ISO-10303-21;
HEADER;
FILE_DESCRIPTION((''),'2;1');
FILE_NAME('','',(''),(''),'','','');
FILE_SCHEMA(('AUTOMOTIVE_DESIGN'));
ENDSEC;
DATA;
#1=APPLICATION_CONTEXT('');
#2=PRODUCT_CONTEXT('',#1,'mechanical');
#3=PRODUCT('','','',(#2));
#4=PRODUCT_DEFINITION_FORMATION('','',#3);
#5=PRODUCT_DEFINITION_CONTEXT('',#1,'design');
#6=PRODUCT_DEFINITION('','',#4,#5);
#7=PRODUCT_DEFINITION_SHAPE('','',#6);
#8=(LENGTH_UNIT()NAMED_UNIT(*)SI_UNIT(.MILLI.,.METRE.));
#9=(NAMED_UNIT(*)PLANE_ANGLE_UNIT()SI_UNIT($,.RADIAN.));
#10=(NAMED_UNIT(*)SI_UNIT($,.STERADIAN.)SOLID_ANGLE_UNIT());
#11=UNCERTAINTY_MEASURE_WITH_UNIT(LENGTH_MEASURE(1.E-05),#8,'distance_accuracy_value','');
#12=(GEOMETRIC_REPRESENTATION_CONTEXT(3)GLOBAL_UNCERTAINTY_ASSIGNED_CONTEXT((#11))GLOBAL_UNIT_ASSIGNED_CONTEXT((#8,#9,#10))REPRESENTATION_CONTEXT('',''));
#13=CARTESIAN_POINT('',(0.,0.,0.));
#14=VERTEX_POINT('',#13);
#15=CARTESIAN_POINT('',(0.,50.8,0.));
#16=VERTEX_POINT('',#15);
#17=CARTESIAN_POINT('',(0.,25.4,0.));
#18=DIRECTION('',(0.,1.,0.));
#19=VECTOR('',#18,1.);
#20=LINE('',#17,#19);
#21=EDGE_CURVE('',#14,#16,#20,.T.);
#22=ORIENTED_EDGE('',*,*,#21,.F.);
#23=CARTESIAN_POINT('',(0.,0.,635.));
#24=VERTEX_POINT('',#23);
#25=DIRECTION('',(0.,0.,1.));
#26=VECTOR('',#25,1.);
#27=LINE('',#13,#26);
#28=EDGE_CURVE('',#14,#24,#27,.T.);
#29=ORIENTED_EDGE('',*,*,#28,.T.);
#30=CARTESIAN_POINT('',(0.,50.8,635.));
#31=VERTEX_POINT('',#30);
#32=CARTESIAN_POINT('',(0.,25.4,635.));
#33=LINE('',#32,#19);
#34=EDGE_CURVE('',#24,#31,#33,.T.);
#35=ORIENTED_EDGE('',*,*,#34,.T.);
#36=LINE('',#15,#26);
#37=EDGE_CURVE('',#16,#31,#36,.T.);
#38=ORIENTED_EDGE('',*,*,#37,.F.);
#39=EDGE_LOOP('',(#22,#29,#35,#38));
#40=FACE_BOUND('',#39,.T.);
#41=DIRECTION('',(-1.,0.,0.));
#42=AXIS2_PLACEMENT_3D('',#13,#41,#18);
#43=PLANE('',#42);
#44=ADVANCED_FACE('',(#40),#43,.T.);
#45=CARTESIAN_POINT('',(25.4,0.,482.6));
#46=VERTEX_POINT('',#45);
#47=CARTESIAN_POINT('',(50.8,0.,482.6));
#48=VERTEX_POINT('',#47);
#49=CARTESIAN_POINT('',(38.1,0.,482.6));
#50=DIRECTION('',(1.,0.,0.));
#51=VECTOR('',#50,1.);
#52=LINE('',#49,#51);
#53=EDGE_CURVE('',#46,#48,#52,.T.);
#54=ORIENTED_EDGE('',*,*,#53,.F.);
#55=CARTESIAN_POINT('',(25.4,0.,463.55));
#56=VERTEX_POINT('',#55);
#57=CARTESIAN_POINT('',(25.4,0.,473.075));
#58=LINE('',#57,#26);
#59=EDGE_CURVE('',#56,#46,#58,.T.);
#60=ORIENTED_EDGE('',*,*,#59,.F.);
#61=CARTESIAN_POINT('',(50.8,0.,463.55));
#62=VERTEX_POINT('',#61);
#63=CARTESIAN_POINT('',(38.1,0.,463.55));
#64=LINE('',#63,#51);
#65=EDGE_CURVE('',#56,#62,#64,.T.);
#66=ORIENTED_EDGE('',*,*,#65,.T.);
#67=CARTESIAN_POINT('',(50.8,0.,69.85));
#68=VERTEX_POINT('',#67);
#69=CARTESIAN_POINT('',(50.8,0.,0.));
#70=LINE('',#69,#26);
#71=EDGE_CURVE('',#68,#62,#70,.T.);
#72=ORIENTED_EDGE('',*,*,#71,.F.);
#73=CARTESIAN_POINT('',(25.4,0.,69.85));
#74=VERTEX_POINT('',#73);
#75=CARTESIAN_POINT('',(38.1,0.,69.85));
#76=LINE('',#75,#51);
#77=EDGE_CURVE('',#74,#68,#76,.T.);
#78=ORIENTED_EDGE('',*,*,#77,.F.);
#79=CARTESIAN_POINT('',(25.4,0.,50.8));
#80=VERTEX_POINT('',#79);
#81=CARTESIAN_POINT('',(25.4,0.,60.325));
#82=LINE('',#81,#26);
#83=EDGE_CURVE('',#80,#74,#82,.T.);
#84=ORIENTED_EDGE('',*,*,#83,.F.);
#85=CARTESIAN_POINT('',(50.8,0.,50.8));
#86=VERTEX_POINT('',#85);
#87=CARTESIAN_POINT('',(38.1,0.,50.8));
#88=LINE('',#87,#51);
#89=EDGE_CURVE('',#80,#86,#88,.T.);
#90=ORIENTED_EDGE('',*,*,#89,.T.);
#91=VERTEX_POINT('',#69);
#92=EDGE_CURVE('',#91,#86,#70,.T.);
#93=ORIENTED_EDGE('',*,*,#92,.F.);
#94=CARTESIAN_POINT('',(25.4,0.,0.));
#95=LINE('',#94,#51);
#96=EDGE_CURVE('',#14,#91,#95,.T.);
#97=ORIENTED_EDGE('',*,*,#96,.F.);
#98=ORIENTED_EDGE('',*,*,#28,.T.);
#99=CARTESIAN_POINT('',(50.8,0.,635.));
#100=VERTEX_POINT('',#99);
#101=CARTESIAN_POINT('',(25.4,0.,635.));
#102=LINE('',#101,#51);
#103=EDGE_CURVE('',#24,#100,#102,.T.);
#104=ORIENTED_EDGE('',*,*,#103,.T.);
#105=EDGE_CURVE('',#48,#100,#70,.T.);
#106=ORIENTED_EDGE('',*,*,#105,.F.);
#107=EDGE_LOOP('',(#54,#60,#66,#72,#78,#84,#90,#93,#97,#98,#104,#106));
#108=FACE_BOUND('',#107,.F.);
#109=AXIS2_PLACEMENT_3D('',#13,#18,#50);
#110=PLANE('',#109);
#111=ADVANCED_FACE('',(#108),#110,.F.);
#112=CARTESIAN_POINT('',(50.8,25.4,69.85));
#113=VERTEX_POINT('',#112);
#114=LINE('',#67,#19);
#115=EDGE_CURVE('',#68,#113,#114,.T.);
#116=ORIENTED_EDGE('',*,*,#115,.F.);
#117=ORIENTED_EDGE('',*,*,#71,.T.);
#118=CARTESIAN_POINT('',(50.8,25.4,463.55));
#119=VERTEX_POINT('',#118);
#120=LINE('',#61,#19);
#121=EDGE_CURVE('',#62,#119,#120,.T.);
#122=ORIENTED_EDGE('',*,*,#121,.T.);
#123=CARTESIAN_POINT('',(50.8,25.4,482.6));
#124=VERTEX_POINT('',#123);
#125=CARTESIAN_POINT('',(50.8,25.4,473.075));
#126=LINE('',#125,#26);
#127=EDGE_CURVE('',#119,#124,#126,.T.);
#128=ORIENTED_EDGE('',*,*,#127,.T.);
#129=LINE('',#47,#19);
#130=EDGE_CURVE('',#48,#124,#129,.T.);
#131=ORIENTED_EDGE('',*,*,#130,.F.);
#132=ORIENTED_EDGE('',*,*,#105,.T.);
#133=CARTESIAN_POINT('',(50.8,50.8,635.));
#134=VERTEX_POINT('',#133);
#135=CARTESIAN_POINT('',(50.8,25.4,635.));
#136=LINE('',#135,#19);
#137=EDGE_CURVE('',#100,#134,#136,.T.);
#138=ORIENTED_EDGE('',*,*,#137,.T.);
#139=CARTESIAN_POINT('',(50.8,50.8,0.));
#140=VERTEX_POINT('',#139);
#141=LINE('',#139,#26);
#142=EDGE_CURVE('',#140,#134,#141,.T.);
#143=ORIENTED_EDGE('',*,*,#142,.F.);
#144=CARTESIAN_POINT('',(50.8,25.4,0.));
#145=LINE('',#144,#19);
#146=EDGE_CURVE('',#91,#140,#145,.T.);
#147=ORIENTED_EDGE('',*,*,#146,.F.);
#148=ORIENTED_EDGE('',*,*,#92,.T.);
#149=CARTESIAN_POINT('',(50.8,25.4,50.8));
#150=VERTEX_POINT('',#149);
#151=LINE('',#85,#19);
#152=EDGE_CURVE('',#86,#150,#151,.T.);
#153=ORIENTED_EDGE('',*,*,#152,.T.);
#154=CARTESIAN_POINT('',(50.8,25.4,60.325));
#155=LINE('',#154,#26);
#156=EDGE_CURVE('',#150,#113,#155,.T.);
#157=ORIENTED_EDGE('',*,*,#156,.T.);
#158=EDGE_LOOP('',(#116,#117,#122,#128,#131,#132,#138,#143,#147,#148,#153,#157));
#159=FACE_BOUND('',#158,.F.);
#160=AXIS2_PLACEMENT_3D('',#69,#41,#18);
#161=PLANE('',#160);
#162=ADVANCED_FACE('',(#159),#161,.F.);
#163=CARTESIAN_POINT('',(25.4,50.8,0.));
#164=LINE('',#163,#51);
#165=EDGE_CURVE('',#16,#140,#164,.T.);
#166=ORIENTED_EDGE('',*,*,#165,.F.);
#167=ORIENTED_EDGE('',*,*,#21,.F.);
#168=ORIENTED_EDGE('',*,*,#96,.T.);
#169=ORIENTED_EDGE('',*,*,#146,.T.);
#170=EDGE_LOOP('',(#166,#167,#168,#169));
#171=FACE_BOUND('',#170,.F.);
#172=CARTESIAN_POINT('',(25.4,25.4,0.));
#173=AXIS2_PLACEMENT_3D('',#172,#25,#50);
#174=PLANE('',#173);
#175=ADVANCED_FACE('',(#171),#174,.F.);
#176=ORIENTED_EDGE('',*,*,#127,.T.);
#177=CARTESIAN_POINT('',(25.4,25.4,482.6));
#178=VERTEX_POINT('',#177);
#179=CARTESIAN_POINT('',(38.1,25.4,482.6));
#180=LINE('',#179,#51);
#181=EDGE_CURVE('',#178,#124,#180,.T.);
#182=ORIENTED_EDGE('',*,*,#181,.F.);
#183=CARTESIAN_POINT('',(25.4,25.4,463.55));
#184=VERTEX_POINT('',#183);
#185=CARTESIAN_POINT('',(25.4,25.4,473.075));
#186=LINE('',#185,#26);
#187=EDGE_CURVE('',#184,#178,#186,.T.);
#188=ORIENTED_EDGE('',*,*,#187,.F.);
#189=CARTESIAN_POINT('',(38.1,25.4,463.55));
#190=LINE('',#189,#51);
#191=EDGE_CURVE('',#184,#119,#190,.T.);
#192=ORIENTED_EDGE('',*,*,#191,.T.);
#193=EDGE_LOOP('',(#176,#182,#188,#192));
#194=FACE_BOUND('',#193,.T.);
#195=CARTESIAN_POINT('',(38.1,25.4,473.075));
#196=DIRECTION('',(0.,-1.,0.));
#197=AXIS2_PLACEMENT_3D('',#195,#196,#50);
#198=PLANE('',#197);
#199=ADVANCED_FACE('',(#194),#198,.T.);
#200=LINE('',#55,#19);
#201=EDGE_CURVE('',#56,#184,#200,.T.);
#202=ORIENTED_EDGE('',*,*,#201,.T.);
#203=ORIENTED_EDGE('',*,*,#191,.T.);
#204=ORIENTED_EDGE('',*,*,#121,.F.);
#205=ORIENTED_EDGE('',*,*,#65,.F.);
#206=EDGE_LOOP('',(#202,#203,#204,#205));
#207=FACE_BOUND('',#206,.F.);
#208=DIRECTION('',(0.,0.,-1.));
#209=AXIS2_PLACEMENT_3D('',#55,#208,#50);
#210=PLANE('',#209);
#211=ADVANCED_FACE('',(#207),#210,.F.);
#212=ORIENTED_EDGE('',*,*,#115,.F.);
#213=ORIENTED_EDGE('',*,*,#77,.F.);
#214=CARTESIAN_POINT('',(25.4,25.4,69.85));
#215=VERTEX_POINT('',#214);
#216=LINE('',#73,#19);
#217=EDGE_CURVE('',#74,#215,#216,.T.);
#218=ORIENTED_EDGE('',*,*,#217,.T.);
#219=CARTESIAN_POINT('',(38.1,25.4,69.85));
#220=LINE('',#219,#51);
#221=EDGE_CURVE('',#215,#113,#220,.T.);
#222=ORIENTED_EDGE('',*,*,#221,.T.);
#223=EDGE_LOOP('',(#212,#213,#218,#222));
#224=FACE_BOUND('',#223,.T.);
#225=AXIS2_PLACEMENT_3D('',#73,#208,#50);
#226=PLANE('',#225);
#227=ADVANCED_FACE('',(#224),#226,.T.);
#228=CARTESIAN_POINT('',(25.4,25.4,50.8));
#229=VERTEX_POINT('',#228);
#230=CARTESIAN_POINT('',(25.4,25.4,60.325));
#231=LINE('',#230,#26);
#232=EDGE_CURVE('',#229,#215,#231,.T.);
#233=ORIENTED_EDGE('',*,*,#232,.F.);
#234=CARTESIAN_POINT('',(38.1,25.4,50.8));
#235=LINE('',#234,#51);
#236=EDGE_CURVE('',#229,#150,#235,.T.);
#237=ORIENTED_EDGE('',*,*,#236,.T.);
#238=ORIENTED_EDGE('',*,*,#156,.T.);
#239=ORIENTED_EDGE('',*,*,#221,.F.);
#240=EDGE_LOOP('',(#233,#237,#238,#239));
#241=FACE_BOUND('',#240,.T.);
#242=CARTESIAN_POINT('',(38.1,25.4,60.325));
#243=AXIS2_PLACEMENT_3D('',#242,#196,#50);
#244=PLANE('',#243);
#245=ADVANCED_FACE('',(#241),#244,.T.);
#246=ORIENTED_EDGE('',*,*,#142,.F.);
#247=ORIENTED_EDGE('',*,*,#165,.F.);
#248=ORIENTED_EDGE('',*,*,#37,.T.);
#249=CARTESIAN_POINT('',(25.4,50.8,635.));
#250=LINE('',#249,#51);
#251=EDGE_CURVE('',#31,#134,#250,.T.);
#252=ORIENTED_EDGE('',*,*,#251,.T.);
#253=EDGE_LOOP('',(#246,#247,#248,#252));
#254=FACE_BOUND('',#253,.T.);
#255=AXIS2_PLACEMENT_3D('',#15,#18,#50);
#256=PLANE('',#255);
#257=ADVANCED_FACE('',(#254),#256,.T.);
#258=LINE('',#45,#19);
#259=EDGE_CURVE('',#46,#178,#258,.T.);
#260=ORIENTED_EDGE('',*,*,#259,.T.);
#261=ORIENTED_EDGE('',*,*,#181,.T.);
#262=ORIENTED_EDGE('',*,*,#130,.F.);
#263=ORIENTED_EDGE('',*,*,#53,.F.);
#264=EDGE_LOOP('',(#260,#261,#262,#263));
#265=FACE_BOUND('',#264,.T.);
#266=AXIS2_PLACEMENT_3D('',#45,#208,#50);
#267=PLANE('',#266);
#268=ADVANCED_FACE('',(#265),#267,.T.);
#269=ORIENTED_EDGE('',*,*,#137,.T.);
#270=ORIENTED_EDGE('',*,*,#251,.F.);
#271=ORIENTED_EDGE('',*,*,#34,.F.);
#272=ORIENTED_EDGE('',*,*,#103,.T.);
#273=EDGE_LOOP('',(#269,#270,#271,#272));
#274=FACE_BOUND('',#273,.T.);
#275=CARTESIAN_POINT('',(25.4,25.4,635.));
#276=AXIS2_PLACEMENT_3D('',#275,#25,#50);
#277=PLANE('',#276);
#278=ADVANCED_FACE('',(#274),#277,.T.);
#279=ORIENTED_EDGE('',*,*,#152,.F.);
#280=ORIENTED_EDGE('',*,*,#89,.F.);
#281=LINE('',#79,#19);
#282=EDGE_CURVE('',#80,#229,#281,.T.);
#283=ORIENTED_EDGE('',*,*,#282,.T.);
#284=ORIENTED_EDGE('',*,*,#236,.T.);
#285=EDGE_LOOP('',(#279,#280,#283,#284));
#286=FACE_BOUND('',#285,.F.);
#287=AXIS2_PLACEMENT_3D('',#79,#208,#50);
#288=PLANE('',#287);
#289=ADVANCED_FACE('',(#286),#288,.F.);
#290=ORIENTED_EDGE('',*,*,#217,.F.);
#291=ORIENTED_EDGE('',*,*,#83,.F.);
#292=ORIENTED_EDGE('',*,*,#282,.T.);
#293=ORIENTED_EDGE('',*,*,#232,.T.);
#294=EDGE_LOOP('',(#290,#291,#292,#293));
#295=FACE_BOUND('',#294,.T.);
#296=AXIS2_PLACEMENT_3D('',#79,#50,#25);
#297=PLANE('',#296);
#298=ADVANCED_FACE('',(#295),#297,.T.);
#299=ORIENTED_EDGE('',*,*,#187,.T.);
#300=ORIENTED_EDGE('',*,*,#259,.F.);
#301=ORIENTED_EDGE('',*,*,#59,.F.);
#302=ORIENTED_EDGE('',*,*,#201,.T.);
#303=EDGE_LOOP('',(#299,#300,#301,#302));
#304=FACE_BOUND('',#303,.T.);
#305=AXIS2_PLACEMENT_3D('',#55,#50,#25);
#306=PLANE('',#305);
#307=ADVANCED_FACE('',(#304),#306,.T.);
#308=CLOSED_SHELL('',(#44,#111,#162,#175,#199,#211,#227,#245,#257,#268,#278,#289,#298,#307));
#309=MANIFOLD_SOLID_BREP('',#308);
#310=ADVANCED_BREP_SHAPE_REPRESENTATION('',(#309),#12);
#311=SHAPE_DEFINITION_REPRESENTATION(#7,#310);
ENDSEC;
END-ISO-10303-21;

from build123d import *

# Parameters (mm, degrees)
F0_W     = 50.8
F0_H     = 50.8
F1_DEPTH = 635
F2_W     = 25.4
F2_H     = 19.05
F3_DEPTH = 25.4


with BuildPart() as f1:
    # F0 (on Top) → F1 (new body)
    with BuildSketch(Plane.XY):
        with Locations((25.4, 25.4)):
            Rectangle(F0_W, F0_H)
    extrude(amount=F1_DEPTH)

    # F2 (on face) → F3 (cut)
    with BuildSketch(Plane.XZ):
        with Locations((38.1, 60.325)):
            Rectangle(F2_W, F2_H)
        with Locations((38.1, 473.075)):
            Rectangle(F2_W, F2_H)
    extrude(amount=-F3_DEPTH, mode=Mode.SUBTRACT)


solid = f1.part
